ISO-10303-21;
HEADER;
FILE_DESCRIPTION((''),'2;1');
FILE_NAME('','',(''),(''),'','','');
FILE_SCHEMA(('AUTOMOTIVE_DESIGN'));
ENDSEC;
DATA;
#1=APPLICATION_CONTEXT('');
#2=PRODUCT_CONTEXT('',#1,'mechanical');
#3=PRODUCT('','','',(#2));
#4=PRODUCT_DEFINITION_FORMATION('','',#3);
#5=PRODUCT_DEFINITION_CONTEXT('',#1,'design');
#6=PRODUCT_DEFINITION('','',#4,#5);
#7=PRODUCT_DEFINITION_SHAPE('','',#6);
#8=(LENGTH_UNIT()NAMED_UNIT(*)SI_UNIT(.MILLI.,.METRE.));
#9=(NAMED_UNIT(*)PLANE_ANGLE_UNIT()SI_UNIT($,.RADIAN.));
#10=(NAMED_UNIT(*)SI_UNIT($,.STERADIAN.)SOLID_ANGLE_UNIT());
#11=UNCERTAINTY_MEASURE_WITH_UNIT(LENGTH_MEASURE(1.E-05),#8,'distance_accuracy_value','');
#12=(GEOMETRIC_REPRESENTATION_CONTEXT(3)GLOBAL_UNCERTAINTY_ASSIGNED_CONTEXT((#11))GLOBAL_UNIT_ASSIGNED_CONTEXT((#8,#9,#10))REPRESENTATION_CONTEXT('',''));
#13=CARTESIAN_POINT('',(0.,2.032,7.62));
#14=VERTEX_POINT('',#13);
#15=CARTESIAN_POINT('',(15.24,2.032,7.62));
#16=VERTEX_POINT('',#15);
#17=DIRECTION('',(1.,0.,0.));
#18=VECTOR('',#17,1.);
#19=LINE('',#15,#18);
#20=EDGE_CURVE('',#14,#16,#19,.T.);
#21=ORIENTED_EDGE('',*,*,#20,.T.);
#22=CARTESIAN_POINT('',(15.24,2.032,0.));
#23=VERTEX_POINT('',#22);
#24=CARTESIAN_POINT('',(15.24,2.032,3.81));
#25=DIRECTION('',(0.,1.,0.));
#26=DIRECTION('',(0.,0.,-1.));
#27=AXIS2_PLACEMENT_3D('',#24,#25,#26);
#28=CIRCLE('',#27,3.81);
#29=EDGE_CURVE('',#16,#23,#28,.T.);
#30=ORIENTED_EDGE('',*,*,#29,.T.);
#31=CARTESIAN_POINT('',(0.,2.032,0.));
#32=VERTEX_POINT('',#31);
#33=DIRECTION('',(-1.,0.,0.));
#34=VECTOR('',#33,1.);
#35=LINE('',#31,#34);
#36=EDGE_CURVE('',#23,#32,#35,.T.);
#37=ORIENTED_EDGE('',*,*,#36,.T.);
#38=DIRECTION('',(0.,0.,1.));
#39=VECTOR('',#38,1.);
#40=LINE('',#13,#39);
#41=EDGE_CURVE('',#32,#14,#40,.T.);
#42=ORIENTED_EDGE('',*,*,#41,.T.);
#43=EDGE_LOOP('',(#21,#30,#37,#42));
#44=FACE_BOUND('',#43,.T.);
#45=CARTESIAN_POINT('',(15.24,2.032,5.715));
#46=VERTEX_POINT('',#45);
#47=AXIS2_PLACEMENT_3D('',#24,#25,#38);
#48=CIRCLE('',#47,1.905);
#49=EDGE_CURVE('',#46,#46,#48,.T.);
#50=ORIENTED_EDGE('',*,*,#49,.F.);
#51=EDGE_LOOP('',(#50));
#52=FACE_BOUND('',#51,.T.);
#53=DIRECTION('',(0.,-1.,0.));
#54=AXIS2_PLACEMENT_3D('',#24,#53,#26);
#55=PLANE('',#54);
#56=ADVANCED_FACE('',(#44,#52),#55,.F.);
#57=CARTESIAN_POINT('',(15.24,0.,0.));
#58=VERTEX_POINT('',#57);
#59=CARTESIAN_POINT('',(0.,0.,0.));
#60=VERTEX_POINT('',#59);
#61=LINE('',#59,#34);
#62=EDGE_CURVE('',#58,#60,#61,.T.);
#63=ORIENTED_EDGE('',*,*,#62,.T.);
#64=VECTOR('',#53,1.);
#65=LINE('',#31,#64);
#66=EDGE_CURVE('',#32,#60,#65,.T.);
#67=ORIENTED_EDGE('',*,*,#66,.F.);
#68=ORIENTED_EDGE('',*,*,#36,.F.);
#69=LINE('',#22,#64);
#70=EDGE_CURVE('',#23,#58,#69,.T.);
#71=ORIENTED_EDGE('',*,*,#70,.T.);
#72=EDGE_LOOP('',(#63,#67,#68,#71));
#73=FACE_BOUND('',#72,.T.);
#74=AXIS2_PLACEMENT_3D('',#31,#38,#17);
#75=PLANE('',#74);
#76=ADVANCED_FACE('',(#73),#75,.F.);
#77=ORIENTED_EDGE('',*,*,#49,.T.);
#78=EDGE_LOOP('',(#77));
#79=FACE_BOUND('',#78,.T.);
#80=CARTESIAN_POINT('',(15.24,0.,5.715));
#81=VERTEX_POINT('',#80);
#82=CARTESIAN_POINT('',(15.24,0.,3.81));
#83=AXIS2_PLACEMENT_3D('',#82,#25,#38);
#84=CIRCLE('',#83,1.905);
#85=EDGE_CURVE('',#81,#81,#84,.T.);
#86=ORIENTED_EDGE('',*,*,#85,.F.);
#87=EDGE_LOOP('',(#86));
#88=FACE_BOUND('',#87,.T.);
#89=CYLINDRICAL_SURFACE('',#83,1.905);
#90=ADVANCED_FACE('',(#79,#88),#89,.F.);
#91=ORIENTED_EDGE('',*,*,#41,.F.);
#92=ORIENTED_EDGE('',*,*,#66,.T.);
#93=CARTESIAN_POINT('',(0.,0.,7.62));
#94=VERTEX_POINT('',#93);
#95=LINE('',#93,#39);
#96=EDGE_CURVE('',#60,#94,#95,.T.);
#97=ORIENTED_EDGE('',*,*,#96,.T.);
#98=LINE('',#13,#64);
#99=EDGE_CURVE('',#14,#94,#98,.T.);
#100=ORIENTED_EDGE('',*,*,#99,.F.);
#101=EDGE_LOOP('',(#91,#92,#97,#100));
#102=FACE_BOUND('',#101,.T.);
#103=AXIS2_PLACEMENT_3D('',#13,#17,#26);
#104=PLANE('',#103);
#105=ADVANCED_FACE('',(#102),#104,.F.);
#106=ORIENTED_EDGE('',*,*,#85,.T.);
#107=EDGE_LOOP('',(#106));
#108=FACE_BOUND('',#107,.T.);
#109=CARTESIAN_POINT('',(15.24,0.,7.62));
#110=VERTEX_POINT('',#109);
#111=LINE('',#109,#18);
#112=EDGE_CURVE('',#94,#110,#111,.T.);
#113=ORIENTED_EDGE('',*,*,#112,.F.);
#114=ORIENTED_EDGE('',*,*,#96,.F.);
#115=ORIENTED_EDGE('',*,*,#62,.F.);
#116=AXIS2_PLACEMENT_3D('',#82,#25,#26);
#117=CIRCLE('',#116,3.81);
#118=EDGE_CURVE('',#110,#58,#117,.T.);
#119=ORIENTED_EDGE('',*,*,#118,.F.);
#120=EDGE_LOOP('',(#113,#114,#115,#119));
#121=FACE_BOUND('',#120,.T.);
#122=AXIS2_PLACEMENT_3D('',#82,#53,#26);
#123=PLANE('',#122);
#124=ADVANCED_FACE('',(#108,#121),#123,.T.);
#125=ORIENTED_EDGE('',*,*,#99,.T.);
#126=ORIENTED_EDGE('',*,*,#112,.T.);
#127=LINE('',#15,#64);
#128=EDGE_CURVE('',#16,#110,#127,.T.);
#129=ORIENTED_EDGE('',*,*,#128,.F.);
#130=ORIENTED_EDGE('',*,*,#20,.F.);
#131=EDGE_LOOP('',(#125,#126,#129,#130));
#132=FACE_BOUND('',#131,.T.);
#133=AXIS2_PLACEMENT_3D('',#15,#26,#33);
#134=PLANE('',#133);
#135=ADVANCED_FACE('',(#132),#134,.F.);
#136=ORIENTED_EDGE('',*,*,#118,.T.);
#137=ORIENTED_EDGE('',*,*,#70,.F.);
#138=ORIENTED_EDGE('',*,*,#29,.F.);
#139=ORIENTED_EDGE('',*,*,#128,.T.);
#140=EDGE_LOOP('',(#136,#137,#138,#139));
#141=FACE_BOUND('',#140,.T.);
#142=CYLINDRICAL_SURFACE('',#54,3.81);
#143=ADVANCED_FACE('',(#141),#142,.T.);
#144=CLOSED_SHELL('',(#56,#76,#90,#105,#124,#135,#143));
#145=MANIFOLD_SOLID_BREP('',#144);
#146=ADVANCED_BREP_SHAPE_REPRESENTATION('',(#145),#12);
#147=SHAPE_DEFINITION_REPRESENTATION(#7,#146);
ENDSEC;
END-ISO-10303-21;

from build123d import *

# Parameters (mm, degrees)
BOSS_EXTRUDE1_DEPTH = 2.032
SKETCH2_R           = 1.905
CUT_EXTRUDE1_DEPTH  = 21.617854496


with BuildPart() as part:
    # Sketch1 → Boss-Extrude1 (new body)
    with BuildSketch(Plane(origin=(0, 0, 0), x_dir=(1, 0, 0), z_dir=(0, 1, 0))):
        with BuildLine():
            Line((0, 0), (15.24, 0))
            ThreePointArc((15.24, 0), (19.05, -3.81), (15.24, -7.62))
            Line((15.24, -7.62), (0, -7.62))
            Line((0, -7.62), (0, 0))
        make_face()
    extrude(amount=BOSS_EXTRUDE1_DEPTH)

    # Sketch2 → Cut-Extrude1 (cut, through all)
    with BuildSketch(Plane(origin=(0, 2.032, 0), x_dir=(1, 0, 0), z_dir=(0, 1, 0))):
        with Locations(Location((15.24, -3.81, 0), (0, 0, 270))):
            Circle(SKETCH2_R)
    extrude(amount=-CUT_EXTRUDE1_DEPTH, mode=Mode.SUBTRACT)


solid = part.part
